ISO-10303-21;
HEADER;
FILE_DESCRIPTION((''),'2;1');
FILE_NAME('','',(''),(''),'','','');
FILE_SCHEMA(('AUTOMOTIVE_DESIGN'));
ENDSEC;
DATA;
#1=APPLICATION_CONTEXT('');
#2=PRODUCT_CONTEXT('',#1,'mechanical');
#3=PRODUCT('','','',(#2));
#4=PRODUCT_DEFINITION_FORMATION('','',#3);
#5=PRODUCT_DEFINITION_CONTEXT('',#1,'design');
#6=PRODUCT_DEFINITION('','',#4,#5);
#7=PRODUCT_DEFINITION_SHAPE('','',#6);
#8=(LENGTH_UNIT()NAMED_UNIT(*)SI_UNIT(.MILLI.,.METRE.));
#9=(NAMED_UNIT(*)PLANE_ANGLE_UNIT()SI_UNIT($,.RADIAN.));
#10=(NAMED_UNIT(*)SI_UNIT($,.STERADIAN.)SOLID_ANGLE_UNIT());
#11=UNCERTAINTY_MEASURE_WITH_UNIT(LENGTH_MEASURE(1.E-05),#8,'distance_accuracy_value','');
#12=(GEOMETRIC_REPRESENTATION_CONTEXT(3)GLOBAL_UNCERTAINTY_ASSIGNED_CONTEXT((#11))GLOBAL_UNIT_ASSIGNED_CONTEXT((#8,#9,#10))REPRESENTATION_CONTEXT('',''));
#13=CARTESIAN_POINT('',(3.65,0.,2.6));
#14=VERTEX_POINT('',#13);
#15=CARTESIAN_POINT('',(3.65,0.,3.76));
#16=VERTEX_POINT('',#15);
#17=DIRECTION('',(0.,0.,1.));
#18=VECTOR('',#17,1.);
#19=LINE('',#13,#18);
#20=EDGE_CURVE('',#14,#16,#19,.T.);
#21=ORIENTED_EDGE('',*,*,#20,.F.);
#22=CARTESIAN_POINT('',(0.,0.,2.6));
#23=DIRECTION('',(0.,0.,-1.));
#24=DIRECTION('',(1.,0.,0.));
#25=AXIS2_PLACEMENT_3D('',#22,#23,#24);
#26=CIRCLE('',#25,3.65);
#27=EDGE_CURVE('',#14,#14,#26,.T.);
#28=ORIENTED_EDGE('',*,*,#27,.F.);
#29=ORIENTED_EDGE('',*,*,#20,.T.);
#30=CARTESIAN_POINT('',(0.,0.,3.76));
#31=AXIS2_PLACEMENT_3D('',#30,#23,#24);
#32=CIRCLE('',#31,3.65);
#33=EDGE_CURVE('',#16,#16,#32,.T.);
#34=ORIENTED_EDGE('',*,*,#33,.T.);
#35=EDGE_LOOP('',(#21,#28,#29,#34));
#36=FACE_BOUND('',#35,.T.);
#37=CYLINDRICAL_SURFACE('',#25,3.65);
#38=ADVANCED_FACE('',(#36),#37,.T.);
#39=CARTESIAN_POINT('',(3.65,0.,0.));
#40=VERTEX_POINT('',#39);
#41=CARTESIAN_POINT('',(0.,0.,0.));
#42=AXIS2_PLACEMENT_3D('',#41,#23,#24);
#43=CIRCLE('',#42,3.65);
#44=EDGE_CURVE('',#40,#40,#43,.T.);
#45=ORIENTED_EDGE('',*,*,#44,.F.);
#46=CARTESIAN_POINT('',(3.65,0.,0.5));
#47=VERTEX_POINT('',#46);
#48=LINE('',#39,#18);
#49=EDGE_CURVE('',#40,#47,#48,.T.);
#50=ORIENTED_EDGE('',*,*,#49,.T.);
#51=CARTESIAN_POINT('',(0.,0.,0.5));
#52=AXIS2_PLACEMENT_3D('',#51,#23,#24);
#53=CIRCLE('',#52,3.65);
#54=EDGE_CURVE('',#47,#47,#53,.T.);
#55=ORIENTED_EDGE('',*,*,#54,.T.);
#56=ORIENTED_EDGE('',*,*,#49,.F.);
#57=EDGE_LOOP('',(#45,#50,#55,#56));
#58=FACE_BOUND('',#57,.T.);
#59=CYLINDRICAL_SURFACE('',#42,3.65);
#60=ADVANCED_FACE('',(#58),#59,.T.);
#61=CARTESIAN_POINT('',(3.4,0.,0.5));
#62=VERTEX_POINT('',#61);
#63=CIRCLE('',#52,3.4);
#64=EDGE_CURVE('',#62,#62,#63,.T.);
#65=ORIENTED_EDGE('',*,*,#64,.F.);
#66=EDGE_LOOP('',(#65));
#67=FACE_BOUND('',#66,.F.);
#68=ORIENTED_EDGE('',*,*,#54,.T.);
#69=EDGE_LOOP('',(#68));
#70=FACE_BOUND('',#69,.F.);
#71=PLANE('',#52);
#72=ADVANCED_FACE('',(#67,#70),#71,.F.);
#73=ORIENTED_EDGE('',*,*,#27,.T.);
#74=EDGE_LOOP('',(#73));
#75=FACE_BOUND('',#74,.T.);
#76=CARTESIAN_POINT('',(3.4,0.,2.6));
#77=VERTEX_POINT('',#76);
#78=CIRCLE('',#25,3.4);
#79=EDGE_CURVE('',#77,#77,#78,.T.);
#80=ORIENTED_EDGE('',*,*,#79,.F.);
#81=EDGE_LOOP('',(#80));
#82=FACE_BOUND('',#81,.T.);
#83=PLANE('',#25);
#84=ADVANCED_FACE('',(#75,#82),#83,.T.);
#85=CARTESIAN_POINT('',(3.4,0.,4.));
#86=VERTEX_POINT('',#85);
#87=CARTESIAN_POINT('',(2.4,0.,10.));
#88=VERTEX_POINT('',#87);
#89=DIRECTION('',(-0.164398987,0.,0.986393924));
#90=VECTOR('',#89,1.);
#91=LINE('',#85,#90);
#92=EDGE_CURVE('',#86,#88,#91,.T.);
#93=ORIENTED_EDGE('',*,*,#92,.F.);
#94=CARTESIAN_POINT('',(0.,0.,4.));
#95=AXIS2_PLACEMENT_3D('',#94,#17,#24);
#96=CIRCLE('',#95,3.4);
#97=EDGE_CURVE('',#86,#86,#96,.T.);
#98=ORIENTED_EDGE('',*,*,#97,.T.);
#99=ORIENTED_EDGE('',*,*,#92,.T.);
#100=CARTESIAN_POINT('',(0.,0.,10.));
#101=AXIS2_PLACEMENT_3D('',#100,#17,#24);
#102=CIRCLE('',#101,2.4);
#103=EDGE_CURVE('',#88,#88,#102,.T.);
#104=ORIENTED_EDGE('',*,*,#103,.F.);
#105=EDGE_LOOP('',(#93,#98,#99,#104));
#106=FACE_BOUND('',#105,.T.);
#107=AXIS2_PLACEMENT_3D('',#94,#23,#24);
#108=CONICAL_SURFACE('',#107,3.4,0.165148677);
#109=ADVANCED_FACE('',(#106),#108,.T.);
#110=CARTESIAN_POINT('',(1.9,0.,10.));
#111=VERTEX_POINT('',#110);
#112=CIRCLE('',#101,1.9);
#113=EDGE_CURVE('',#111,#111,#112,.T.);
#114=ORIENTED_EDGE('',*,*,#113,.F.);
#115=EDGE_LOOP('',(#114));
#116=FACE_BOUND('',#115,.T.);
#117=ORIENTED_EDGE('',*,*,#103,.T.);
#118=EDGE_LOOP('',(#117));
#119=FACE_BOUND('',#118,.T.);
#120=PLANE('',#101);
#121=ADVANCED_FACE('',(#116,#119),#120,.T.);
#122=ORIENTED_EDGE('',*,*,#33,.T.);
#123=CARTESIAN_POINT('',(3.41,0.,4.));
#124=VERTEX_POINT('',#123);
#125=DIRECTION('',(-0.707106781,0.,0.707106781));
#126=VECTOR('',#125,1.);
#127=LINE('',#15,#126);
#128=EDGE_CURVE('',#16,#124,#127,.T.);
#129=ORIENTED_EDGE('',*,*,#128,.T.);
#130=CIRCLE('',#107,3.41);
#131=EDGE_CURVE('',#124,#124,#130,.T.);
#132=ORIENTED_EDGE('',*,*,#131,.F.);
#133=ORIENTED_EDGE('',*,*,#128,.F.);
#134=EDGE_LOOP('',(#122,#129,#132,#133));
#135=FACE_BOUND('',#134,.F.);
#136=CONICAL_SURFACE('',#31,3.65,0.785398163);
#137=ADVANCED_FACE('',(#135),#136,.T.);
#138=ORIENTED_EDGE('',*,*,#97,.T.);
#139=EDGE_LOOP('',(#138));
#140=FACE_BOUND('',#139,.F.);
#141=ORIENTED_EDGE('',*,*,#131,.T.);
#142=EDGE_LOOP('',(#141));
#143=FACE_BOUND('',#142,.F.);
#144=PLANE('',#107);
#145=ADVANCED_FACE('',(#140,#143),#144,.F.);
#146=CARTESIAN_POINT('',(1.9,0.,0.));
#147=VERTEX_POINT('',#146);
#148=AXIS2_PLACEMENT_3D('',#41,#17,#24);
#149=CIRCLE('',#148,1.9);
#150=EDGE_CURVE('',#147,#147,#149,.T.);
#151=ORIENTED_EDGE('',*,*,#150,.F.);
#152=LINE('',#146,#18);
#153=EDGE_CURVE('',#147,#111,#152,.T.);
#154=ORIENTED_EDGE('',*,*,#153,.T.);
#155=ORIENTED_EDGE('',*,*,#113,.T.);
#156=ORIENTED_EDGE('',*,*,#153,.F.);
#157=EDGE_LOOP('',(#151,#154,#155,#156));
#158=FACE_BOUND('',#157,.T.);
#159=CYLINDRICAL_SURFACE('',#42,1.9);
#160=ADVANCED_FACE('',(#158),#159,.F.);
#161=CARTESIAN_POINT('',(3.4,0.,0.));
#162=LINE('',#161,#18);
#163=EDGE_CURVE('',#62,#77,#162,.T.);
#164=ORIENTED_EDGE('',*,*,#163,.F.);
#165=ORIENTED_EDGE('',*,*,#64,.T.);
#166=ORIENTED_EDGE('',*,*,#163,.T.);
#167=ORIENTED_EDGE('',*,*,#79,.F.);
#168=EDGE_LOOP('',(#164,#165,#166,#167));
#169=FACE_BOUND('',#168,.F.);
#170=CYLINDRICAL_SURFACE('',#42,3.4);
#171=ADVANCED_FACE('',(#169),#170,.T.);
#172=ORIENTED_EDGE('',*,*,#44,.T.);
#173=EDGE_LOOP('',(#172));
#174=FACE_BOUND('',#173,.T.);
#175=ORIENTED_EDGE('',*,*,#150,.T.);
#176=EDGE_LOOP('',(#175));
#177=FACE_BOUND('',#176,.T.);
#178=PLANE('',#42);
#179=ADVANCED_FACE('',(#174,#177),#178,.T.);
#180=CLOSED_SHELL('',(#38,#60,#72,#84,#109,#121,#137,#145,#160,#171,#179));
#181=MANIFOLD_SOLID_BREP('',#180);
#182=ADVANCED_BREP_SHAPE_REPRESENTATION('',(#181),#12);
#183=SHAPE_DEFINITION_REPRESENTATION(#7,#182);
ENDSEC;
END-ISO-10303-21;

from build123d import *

# Parameters (mm, degrees)
SKETCH_R        = 3.4
SKETCH_R_2      = 1.9
PAD_DEPTH       = 10
CHAMFER_SIZE2   = 1
CHAMFER_SIZE    = 6
PAD001_START    = -2.6
SKETCH001_R     = 3.65
SKETCH001_R_2   = 3.4
PAD001_DEPTH    = 1.4
SKETCH002_R     = 3.65
SKETCH002_R_2   = 3.4
PAD002_DEPTH    = 0.5
CHAMFER001_SIZE = 0.24


with BuildPart() as part:
    # Sketch → Pad (new body)
    with BuildSketch(Plane.XY):
        Circle(SKETCH_R)
        Circle(SKETCH_R_2, mode=Mode.SUBTRACT)
    extrude(amount=PAD_DEPTH)

    # Chamfer
    chamfer_edges = [part.edges().sort_by_distance(p)[0] for p in [
        (-3.4, 0, 10),
    ]]
    chamfer_side = part.faces().sort_by_distance((-3.4, 0, 5))[0]
    chamfer(chamfer_edges, length=CHAMFER_SIZE, length2=CHAMFER_SIZE2, reference=chamfer_side)

    # Sketch001 (on Face3 of Chamfer) → Pad001 (join)
    with BuildSketch(Plane(origin=(0, 0, 0), x_dir=(1, 0, 0), z_dir=(0, 0, -1)).offset(PAD001_START)):
        Circle(SKETCH001_R)
        Circle(SKETCH001_R_2, mode=Mode.SUBTRACT)
    extrude(amount=-PAD001_DEPTH)

    # Sketch002 (on Face2 of Pad001) → Pad002 (join)
    with BuildSketch(Plane(origin=(0, 0, 0), x_dir=(1, 0, 0), z_dir=(0, 0, -1))):
        Circle(SKETCH002_R)
        Circle(SKETCH002_R_2, mode=Mode.SUBTRACT)
    extrude(amount=-PAD002_DEPTH)

    # Chamfer001
    chamfer001_edges = [part.edges().sort_by_distance(p)[0] for p in [
        (-3.65, 0, 4),
    ]]
    chamfer(chamfer001_edges, length=CHAMFER001_SIZE)


solid = part.part
